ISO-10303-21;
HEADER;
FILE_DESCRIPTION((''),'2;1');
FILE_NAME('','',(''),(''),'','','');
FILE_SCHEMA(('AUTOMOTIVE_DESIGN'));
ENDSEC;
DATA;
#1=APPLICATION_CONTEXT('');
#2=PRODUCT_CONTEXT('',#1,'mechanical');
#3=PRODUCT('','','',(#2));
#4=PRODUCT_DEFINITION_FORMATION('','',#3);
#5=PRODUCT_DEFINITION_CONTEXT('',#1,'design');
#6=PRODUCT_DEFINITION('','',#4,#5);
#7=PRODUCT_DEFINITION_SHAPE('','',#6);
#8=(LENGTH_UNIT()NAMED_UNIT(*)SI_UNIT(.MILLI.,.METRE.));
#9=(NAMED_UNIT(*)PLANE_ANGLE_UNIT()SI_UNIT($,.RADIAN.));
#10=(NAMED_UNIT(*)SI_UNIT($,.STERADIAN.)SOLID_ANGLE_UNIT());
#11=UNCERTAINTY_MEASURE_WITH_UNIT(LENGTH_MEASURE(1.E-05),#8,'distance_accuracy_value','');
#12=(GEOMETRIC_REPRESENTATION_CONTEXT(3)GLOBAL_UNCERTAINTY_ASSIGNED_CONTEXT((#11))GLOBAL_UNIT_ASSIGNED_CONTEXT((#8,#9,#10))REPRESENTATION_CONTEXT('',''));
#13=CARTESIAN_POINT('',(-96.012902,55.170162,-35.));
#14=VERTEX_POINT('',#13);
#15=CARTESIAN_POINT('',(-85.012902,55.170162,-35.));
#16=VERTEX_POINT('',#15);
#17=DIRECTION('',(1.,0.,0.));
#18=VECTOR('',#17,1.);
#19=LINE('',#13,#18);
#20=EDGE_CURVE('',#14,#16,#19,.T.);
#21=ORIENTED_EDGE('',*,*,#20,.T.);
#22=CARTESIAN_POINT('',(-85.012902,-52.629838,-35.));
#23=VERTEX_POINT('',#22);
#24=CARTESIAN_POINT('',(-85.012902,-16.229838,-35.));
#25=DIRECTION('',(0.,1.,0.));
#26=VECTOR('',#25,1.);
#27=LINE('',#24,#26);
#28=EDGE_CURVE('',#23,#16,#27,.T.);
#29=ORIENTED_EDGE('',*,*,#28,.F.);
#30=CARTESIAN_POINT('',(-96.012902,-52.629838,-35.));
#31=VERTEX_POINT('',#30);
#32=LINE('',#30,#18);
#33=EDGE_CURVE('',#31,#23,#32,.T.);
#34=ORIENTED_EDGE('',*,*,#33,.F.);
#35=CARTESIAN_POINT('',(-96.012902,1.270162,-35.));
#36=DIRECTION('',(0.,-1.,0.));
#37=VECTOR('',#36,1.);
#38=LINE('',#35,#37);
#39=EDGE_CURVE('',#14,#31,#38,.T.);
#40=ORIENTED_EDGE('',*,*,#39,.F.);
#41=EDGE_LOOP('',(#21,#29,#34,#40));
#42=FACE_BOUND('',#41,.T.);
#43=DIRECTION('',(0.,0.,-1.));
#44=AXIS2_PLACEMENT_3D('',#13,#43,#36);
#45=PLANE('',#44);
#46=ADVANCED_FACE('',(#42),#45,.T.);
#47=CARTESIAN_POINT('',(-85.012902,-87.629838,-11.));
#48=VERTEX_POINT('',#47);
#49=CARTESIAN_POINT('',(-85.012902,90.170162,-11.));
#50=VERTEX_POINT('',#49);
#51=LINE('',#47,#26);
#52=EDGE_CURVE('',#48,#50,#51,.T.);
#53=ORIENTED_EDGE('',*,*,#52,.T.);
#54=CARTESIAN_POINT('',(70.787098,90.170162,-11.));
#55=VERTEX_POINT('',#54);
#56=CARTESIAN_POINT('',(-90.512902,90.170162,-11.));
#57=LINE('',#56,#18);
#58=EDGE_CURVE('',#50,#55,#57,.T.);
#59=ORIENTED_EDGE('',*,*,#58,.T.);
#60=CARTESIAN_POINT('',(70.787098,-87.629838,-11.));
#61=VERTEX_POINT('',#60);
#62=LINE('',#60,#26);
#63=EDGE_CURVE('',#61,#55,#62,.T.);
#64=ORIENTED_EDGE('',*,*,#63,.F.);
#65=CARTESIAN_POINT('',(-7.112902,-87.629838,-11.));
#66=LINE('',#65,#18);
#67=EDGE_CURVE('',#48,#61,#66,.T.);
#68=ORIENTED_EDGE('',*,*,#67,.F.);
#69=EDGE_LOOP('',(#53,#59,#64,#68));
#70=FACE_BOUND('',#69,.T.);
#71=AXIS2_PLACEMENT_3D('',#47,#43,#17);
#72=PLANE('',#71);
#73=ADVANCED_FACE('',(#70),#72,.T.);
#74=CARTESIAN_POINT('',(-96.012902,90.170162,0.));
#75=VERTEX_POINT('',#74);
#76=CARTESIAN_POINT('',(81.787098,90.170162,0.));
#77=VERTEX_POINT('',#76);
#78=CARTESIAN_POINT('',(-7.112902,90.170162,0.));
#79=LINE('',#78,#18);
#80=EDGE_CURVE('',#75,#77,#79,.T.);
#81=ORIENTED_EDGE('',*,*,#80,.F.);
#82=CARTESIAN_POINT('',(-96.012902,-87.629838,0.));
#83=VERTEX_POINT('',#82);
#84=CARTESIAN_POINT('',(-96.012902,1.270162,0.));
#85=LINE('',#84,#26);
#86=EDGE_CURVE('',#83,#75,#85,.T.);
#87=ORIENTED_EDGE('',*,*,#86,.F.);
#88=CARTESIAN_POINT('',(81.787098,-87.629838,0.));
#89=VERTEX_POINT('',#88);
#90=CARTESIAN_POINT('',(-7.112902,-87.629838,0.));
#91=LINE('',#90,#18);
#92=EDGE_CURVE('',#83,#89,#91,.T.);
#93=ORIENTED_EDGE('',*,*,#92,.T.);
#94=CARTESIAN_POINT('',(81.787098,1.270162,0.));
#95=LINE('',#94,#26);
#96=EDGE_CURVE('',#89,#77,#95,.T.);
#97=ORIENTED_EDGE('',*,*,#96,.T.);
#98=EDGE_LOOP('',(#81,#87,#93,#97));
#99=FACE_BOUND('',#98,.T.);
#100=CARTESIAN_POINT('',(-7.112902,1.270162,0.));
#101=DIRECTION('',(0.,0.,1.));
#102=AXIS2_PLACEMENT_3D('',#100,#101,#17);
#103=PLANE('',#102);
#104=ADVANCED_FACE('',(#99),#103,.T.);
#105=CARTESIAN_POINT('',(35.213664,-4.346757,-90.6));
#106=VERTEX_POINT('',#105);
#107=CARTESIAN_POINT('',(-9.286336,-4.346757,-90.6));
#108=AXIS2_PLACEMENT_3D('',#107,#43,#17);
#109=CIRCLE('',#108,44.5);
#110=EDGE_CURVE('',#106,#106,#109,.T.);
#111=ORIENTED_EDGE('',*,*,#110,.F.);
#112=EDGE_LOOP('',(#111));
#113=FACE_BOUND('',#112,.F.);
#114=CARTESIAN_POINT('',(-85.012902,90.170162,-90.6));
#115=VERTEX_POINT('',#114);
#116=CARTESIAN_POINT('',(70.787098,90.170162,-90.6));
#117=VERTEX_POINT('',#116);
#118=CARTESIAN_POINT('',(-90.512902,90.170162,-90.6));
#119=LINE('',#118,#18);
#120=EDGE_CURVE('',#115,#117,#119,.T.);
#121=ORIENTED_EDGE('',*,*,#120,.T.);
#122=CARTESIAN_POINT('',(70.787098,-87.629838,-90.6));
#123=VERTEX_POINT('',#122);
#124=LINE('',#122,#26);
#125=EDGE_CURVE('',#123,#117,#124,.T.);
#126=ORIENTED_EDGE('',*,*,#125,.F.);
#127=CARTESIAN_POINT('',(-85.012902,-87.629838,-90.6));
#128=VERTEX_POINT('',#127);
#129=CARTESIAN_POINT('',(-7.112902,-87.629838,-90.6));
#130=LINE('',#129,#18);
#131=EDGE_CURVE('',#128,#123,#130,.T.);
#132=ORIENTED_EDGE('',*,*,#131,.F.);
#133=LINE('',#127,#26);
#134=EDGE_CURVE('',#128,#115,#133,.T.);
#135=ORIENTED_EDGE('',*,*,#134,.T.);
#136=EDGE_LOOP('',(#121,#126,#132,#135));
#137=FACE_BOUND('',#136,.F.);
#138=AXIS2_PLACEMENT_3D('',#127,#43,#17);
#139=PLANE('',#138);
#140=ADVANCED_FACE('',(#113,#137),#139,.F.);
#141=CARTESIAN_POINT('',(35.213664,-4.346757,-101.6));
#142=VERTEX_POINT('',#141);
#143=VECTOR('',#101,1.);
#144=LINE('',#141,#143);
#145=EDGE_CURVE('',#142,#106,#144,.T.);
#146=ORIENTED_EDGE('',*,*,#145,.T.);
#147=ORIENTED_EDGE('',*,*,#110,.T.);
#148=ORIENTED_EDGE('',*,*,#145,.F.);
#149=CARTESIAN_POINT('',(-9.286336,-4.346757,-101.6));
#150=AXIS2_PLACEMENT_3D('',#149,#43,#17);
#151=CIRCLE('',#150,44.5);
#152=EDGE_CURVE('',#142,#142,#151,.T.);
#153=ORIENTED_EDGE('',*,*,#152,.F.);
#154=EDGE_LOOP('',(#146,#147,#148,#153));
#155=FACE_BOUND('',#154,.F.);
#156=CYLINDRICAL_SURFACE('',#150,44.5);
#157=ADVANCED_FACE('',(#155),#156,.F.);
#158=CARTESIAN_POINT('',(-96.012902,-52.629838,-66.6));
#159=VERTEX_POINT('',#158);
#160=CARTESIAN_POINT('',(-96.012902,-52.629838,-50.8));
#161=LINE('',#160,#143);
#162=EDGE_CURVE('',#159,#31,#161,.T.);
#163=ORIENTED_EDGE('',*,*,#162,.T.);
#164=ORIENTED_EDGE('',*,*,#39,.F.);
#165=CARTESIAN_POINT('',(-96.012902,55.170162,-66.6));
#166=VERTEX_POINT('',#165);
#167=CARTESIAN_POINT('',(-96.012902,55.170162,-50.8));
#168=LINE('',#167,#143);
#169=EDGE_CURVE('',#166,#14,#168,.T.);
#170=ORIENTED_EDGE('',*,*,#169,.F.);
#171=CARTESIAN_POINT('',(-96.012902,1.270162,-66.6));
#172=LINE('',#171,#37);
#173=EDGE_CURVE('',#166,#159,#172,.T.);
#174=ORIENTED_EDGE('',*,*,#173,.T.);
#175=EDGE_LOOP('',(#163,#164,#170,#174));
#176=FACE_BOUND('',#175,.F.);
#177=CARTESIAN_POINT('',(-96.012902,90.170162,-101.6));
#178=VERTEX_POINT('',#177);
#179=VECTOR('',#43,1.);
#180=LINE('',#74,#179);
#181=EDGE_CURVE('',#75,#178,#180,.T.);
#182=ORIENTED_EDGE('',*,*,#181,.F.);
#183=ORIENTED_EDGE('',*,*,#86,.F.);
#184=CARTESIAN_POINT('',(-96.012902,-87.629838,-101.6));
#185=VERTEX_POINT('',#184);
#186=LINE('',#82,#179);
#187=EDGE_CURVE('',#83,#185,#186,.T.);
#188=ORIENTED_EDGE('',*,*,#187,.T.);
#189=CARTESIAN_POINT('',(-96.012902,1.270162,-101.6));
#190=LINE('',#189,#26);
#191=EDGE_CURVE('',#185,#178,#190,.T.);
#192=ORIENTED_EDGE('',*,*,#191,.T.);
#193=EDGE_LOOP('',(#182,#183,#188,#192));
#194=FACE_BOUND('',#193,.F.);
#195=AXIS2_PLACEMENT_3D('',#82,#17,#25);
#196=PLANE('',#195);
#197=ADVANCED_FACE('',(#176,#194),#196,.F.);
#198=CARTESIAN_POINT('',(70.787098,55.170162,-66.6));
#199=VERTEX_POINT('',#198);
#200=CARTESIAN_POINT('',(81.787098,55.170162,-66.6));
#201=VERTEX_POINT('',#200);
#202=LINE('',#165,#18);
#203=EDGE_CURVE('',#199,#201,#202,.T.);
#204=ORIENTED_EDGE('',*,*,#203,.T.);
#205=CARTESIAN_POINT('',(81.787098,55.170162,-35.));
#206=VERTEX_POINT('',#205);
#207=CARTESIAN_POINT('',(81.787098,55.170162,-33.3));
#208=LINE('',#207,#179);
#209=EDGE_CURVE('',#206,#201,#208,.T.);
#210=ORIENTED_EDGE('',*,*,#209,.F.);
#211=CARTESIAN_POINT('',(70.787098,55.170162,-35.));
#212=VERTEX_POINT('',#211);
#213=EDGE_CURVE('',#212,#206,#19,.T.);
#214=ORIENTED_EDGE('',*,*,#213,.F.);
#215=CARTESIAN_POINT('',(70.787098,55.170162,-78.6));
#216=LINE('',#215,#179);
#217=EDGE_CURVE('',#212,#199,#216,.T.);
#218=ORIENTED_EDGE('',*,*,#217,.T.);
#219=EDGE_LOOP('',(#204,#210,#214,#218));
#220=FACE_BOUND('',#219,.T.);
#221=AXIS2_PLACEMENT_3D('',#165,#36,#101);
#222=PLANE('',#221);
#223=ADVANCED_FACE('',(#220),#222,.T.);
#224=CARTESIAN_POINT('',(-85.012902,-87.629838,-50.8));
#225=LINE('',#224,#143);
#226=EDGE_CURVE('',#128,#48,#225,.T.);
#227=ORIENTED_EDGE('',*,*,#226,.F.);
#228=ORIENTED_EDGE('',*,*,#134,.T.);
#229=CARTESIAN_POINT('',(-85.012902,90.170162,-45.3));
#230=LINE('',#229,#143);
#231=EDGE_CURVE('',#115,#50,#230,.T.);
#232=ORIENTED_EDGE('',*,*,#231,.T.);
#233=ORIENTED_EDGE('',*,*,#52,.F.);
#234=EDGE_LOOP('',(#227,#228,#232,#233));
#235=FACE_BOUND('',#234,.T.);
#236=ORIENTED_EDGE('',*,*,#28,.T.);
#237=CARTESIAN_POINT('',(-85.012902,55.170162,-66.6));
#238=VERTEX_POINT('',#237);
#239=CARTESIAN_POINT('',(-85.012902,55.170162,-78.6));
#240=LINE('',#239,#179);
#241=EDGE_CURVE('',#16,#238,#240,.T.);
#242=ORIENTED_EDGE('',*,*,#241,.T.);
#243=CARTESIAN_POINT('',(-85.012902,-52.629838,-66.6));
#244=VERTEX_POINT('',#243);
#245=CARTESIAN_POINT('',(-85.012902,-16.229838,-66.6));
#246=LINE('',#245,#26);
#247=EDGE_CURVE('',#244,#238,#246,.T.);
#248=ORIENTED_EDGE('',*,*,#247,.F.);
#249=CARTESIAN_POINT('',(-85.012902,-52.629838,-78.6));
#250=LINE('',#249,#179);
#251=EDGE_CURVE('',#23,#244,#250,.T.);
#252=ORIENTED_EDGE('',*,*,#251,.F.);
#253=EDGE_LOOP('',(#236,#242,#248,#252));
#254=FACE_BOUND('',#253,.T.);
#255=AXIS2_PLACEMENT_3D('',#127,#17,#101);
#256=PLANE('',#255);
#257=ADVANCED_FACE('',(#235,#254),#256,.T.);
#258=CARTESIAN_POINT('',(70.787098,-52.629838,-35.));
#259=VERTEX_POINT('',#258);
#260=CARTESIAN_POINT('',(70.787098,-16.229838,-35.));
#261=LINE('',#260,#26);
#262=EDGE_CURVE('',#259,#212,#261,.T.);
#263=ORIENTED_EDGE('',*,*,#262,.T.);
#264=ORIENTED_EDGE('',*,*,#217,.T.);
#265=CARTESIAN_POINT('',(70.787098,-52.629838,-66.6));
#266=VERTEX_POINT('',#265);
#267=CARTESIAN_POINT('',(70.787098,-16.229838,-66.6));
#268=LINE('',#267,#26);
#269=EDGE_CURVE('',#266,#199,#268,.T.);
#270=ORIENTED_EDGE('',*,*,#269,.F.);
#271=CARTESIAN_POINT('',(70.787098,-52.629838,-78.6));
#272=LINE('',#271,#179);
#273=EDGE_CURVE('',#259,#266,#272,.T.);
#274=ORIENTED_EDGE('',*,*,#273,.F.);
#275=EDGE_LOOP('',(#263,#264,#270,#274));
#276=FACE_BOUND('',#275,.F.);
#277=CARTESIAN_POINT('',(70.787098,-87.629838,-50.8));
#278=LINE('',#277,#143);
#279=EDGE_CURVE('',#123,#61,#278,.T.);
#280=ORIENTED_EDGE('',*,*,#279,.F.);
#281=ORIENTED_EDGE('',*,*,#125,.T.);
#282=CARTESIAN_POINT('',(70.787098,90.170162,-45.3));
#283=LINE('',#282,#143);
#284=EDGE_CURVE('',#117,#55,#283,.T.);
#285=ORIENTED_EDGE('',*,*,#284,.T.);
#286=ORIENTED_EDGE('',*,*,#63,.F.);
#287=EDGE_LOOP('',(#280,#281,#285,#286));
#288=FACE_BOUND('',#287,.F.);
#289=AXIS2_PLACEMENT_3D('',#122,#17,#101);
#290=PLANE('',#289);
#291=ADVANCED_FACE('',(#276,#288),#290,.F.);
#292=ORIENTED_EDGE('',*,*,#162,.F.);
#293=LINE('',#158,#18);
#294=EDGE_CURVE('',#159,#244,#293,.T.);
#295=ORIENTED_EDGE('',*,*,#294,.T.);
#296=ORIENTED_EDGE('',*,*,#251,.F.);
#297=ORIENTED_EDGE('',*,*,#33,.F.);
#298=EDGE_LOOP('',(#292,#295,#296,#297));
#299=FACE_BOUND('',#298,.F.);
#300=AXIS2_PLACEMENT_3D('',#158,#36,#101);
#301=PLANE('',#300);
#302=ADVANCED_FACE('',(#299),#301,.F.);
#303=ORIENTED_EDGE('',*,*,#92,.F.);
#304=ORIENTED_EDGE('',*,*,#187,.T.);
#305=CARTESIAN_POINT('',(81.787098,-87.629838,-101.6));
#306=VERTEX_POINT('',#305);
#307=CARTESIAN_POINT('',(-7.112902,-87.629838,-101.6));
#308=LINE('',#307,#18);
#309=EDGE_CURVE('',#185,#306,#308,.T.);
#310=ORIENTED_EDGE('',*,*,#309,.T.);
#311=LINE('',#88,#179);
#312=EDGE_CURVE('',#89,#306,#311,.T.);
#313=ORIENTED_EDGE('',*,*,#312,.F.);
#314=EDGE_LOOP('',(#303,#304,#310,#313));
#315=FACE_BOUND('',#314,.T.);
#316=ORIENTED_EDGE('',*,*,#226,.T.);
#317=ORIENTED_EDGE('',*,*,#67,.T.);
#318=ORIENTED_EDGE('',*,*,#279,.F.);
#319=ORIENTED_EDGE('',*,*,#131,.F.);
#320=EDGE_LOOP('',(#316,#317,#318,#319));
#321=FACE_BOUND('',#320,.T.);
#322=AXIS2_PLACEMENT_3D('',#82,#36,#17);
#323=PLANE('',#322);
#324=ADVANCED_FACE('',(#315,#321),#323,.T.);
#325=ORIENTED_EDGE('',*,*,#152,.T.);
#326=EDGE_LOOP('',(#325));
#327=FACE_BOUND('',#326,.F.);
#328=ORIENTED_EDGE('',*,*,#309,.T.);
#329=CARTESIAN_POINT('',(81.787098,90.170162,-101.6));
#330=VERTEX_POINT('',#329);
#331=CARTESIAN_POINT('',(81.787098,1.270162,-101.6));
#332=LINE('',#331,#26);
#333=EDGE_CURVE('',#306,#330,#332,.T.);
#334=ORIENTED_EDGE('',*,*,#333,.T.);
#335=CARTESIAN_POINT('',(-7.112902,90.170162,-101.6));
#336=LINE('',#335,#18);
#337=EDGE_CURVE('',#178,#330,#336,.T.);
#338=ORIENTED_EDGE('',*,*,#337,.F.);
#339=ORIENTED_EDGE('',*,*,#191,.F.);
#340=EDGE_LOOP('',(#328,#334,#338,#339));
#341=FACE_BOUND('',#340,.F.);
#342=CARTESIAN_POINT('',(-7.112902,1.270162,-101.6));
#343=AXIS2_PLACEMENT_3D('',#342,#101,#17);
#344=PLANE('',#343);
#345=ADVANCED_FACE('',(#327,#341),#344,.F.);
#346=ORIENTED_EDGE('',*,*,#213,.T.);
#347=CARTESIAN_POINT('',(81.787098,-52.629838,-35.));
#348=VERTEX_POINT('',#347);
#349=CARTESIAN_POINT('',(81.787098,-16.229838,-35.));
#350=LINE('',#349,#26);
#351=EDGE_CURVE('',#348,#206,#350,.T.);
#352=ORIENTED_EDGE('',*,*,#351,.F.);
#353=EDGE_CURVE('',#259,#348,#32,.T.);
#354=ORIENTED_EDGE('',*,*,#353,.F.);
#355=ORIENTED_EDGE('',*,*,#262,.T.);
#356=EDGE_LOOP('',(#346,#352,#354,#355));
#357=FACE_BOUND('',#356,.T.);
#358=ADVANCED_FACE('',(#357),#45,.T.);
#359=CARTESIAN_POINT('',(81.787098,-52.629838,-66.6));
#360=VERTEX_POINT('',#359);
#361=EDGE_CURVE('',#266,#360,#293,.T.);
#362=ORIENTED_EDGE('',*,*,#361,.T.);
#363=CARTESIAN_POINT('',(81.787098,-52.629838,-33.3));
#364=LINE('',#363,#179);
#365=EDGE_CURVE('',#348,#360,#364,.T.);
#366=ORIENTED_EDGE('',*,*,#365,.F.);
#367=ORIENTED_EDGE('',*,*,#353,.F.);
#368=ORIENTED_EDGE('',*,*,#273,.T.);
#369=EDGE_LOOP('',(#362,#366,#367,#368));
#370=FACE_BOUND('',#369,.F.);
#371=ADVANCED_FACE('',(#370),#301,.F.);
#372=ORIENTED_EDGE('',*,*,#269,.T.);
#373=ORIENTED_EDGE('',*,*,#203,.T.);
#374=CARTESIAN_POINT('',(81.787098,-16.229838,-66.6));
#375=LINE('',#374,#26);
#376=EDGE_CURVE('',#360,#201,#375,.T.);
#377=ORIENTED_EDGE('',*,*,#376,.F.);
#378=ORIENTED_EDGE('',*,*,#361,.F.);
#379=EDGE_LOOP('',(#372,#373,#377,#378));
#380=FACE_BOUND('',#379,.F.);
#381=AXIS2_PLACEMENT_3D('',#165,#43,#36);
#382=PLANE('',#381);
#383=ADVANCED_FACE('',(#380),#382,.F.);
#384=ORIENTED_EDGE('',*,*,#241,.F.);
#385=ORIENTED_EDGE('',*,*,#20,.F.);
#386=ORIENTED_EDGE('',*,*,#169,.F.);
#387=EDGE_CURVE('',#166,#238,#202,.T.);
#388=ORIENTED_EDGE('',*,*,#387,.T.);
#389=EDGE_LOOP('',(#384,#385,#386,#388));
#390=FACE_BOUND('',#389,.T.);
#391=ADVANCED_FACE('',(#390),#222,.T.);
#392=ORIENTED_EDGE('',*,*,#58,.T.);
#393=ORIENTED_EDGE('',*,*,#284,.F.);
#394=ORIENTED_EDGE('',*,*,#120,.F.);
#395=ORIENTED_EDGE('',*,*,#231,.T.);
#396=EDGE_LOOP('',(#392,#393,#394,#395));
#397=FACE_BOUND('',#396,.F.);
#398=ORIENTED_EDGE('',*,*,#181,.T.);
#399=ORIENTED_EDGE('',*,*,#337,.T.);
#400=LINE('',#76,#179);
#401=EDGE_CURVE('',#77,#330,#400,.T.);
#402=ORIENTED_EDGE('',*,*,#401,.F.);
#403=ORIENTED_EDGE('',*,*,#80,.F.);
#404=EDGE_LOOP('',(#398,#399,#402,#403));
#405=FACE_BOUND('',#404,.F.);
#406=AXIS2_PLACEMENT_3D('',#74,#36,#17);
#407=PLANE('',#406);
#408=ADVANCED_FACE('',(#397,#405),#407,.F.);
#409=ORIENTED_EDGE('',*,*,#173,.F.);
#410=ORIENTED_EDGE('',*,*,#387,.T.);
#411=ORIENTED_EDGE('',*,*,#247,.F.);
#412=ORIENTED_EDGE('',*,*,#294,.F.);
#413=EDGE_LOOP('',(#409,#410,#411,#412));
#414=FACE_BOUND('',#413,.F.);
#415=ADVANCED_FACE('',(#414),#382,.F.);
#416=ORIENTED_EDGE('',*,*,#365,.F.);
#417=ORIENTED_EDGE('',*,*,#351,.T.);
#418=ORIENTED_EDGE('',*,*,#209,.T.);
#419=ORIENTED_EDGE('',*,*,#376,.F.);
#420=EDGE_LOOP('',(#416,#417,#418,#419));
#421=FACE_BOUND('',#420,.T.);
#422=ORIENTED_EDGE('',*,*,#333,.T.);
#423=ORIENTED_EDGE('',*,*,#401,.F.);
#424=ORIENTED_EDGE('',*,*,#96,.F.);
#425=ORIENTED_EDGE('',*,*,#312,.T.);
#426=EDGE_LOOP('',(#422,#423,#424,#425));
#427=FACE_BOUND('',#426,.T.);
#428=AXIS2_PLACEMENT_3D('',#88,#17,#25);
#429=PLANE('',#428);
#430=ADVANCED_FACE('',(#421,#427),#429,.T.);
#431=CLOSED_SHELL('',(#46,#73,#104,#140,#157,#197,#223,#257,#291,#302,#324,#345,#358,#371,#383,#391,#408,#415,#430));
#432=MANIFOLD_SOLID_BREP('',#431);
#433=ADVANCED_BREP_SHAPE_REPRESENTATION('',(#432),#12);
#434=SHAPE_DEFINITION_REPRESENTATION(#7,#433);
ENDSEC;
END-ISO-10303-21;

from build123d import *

# Parameters (mm, degrees)
F0_W     = 177.8
F0_H     = 177.8
F1_DEPTH = 101.6
F2_W     = 155.8
F2_H     = 79.6
F3_DEPTH = 177.801
F4_W     = 107.8
F4_H     = 31.6
F5_DEPTH = 177.801
F6_R     = 44.5
F7_DEPTH = 25


with BuildPart() as f1:
    # F0 (on Top) → F1 (new body)
    with BuildSketch(Plane.XY):
        with Locations((-7.112902, 1.270162)):
            Rectangle(F0_W, F0_H)
    extrude(amount=-F1_DEPTH)

    # F2 (on face) → F3 (cut, through all)
    with BuildSketch(Plane.XZ.offset(87.629838)):
        with Locations((-7.112902, -50.8)):
            Rectangle(F2_W, F2_H)
    extrude(amount=-F3_DEPTH, mode=Mode.SUBTRACT)

    # F4 (on face) → F5 (cut, through all)
    with BuildSketch(Plane(origin=(-96.012902, 0, 0), x_dir=(0, -1, 0), z_dir=(-1, 0, 0))):
        with Locations((-1.270162, -50.8)):
            Rectangle(F4_W, F4_H)
    extrude(amount=-F5_DEPTH, mode=Mode.SUBTRACT)

    # F6 (on face) → F7 (cut)
    with BuildSketch(Plane(origin=(0, 0, -101.6), x_dir=(1, 0, 0), z_dir=(0, 0, -1))):
        with Locations((-9.286336, 4.346757)):
            Circle(F6_R)
    extrude(amount=-F7_DEPTH, mode=Mode.SUBTRACT)


solid = f1.part
